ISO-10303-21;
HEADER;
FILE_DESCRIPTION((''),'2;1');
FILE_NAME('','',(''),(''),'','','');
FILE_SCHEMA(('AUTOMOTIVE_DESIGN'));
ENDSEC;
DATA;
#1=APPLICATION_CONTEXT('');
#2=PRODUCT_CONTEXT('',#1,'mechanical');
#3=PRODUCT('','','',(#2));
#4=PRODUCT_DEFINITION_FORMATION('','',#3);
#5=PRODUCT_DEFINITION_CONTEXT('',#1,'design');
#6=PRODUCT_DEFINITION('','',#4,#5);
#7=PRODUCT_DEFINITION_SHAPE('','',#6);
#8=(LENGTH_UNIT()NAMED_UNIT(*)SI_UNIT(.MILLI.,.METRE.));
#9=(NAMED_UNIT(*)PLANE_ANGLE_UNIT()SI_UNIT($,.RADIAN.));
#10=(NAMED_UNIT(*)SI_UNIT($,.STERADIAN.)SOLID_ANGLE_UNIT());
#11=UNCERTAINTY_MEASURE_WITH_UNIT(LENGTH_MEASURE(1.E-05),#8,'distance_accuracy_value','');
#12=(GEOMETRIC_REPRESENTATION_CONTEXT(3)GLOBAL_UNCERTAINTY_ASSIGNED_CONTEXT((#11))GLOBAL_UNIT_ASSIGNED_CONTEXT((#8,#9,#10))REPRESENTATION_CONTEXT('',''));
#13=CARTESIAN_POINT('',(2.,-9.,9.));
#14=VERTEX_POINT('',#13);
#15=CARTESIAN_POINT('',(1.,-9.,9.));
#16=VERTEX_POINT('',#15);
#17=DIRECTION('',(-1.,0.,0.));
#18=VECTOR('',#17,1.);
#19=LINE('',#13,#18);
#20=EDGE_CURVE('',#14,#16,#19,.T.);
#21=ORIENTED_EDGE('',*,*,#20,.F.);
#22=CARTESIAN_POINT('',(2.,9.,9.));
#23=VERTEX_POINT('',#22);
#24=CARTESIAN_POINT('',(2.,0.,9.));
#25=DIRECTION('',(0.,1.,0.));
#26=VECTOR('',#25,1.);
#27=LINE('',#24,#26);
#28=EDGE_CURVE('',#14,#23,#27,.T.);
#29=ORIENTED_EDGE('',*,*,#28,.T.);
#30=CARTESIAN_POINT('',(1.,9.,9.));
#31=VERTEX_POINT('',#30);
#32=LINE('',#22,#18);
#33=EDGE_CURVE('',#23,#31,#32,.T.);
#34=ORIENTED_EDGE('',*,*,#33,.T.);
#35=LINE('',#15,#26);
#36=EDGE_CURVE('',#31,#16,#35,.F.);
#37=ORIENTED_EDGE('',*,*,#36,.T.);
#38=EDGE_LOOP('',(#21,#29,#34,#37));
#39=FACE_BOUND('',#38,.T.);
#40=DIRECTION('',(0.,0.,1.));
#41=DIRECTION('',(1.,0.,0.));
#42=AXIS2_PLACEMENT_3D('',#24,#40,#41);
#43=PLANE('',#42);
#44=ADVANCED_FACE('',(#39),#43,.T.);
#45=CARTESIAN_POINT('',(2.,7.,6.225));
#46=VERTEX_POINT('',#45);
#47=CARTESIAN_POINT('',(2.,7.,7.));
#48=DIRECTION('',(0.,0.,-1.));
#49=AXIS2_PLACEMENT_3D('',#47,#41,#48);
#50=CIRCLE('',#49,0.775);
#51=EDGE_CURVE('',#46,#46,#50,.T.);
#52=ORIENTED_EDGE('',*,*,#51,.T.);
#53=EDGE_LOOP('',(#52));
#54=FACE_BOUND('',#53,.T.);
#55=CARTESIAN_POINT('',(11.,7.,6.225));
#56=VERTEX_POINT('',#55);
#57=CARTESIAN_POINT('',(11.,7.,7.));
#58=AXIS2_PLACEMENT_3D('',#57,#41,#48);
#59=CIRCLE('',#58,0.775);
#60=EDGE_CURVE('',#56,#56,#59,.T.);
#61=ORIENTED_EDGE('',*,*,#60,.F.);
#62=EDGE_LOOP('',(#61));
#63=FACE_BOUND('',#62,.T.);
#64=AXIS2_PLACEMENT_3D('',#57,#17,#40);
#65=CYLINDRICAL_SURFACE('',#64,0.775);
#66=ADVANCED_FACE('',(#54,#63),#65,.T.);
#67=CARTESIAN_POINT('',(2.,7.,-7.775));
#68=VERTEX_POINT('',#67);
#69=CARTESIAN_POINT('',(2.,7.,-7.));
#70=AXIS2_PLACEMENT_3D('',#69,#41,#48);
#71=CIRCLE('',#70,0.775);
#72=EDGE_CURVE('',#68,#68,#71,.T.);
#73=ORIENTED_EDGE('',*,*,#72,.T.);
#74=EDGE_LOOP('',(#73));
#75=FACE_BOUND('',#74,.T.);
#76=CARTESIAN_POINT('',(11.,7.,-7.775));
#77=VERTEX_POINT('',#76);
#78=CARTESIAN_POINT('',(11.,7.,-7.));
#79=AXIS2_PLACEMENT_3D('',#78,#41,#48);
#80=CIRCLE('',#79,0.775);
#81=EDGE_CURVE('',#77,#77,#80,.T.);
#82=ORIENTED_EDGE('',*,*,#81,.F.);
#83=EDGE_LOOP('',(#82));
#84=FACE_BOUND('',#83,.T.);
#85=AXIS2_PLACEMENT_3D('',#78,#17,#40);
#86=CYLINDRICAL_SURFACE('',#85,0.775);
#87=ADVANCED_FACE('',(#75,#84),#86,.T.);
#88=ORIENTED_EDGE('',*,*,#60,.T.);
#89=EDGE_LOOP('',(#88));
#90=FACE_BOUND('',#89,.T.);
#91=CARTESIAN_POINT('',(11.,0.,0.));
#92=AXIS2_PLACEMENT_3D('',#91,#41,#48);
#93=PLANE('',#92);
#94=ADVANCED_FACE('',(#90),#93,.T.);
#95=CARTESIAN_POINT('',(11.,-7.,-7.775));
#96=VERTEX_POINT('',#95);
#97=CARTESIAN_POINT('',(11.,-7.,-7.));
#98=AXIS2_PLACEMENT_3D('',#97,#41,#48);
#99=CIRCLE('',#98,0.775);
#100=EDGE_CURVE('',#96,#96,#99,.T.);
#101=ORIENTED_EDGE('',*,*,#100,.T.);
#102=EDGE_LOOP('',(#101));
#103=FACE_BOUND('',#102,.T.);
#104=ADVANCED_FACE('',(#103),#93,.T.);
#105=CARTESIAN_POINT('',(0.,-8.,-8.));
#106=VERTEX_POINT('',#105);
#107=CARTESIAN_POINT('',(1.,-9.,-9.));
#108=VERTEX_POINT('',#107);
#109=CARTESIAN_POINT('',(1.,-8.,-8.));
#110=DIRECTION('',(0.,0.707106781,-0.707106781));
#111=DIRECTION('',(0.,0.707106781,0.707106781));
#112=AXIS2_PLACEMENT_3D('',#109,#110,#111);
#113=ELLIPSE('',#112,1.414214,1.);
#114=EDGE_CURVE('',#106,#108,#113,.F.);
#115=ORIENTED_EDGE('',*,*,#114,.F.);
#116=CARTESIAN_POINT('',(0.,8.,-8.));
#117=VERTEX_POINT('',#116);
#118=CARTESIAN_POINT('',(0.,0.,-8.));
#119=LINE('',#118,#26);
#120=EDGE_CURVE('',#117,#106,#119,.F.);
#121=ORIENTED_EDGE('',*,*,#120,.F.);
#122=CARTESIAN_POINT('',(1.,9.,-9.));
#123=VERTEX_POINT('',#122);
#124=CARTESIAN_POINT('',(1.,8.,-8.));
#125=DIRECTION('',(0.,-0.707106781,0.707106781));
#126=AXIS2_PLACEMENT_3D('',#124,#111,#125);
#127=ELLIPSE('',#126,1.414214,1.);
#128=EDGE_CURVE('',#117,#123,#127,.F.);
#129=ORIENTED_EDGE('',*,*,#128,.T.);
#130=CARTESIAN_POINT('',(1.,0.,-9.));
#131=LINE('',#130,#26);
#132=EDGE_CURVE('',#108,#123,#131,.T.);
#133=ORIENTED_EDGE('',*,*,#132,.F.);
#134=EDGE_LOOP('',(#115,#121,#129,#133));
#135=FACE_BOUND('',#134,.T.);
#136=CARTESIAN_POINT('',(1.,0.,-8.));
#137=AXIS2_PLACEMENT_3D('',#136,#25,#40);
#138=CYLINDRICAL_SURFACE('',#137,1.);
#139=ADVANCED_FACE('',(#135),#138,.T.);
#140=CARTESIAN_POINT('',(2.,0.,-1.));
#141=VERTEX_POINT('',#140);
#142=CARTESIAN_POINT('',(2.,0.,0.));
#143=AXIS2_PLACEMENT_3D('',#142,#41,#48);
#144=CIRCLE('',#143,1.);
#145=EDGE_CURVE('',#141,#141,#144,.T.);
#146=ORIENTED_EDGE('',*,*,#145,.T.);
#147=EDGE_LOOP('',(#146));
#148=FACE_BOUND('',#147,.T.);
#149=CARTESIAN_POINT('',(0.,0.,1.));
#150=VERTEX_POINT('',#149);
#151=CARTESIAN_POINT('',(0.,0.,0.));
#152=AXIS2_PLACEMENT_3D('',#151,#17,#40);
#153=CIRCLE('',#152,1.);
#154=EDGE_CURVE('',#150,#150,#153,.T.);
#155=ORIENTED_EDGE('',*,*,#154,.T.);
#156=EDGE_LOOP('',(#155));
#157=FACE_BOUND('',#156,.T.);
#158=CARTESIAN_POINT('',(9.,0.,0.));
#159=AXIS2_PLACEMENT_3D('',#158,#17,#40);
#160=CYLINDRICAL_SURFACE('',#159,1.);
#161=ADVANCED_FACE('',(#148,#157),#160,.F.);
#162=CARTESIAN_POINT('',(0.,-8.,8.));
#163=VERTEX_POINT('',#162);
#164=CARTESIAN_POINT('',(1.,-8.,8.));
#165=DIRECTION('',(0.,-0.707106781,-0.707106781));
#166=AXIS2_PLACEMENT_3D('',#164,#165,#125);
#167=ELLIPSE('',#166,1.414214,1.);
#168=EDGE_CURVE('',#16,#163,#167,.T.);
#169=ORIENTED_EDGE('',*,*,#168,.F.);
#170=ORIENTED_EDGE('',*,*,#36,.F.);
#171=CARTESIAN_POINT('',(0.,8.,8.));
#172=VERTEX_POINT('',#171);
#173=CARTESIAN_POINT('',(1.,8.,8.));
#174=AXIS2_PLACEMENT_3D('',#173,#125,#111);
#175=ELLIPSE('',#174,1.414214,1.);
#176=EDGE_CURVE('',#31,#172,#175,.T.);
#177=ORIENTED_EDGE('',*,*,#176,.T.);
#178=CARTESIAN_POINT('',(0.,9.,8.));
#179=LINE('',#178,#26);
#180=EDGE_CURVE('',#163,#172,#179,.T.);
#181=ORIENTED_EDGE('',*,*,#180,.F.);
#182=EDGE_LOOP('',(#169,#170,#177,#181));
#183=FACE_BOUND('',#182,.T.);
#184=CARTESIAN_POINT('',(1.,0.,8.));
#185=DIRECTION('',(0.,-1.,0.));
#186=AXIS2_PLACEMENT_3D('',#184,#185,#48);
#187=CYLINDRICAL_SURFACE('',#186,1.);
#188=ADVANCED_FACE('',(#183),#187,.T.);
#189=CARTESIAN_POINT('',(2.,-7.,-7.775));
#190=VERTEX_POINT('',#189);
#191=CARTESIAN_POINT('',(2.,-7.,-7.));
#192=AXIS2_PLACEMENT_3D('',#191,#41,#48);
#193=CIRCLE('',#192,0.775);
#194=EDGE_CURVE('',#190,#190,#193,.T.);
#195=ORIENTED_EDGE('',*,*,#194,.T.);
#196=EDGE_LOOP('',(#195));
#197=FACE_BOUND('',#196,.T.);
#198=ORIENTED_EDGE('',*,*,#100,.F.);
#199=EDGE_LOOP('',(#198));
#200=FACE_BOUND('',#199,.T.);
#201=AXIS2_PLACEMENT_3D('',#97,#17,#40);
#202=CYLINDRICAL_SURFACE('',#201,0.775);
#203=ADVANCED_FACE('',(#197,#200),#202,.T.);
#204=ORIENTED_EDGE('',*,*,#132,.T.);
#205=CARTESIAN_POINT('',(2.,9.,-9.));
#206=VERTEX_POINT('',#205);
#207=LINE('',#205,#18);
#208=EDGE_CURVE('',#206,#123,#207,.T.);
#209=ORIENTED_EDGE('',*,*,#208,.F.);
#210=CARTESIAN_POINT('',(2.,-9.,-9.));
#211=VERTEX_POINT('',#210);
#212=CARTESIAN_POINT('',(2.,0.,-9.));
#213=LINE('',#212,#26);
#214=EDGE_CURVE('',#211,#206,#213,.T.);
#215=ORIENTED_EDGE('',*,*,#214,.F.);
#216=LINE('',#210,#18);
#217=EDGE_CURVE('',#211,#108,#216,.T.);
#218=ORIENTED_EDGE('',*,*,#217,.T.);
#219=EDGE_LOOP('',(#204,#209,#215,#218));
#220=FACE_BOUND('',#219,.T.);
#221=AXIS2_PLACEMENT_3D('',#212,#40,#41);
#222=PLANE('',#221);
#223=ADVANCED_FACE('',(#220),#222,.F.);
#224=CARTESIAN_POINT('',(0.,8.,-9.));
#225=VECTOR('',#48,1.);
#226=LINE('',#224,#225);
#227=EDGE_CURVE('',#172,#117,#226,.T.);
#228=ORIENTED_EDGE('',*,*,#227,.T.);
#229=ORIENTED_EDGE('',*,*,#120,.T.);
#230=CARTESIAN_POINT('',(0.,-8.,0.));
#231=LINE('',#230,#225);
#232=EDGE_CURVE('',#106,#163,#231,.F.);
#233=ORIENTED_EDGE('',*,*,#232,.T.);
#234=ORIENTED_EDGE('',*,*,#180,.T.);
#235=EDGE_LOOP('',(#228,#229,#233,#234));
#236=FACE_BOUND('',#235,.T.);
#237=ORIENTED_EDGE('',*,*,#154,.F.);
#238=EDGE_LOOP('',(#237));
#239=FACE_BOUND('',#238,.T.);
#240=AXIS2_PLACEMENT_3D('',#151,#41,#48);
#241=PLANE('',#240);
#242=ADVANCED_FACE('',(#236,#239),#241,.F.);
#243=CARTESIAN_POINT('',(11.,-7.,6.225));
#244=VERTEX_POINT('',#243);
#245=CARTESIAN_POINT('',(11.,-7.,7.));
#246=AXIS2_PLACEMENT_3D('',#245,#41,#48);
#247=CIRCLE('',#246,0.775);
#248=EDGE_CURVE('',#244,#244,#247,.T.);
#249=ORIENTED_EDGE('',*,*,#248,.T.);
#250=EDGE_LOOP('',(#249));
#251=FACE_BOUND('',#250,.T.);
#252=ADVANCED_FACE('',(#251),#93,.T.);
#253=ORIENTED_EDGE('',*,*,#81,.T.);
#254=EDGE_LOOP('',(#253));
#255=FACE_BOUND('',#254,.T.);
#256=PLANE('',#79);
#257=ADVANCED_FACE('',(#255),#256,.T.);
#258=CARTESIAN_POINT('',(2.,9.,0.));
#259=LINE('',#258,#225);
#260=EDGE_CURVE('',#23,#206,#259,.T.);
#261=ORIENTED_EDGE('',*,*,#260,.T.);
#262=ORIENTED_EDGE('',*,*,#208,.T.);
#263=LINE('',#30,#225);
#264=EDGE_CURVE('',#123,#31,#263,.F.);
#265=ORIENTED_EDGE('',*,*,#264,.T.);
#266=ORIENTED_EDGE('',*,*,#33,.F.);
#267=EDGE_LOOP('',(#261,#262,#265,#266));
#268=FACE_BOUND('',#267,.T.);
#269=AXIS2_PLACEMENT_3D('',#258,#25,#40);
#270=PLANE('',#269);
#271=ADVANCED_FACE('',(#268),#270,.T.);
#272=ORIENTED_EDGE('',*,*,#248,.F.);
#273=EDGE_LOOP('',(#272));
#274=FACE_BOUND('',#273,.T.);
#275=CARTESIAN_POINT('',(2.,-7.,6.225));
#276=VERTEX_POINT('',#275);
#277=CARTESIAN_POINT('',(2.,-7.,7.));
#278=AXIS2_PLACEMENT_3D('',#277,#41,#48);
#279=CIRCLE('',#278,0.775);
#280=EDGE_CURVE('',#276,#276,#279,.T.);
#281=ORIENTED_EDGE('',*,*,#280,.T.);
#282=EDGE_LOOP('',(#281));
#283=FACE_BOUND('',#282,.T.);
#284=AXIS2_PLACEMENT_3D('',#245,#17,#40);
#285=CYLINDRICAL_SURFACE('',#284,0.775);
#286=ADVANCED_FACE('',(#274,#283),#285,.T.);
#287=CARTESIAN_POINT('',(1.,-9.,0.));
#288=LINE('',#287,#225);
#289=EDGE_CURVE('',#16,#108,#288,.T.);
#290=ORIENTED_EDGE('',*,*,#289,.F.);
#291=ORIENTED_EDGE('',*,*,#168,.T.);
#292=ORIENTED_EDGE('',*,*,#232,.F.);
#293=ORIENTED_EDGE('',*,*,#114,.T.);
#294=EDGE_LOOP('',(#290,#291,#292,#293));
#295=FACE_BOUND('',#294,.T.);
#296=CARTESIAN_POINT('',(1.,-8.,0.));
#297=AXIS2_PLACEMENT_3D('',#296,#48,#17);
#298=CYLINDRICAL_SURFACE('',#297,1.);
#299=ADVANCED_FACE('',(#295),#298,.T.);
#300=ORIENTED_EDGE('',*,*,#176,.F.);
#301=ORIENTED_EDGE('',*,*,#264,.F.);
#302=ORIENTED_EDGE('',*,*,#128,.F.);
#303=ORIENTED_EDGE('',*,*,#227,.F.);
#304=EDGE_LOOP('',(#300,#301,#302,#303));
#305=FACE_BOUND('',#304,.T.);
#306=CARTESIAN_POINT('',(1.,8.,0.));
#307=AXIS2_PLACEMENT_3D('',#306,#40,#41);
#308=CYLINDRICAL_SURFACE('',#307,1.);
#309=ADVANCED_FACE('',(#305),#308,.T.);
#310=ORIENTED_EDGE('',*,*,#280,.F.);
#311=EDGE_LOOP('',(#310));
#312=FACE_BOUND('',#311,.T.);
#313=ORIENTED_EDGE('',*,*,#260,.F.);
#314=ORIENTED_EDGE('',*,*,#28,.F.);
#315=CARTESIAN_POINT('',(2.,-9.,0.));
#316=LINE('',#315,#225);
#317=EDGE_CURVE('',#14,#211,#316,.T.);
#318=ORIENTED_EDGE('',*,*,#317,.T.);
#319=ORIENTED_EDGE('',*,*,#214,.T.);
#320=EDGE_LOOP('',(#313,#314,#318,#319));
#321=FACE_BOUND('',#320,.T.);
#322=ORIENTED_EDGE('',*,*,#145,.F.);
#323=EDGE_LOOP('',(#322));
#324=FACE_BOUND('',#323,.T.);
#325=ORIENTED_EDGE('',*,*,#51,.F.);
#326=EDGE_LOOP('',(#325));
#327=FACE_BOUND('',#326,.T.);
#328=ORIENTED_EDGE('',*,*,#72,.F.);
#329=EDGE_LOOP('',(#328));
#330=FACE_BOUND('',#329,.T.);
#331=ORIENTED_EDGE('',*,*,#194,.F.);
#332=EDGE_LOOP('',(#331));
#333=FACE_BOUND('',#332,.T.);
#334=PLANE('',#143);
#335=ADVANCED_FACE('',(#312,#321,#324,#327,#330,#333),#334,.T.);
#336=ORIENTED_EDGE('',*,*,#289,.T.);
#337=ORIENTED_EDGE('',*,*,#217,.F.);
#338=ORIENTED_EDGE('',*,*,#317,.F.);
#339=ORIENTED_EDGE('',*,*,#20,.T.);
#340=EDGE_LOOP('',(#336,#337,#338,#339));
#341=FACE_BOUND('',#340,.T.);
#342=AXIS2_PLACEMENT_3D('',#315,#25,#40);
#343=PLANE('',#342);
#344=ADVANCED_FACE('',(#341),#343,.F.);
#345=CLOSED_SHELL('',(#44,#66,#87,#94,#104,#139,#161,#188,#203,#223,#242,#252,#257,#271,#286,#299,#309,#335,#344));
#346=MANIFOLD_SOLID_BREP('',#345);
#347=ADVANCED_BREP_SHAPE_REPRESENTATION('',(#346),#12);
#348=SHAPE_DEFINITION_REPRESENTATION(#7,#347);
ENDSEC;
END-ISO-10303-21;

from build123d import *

# Parameters (mm, degrees)
SKETCH1_W           = 18
SKETCH1_H           = 18
SKETCH1_R           = 0.75
BOSS_EXTRUDE1_DEPTH = 2
SKETCH2_R           = 0.775
BOSS_EXTRUDE2_DEPTH = 9
SKETCH3_R           = 1
CUT_EXTRUDE1_DEPTH  = 9
FILLET2_R           = 1


with BuildPart() as part:
    # Sketch1 → Boss-Extrude1 (new body)
    # profile 1 of 5: a face of its own
    with BuildSketch(Plane(origin=(0, 0, 0), x_dir=(0, 0, -1), z_dir=(1, 0, 0))):
        Rectangle(SKETCH1_W, SKETCH1_H)
        with Locations((-7, -7)):
            Circle(SKETCH1_R, mode=Mode.SUBTRACT)
        with Locations((7, -7)):
            Circle(SKETCH1_R, mode=Mode.SUBTRACT)
        with Locations((7, 7)):
            Circle(SKETCH1_R, mode=Mode.SUBTRACT)
        with Locations((-7, 7)):
            Circle(SKETCH1_R, mode=Mode.SUBTRACT)
    # profile 2 of 5: a face of its own
    with BuildSketch(Plane(origin=(0, 0, 0), x_dir=(0, 0, -1), z_dir=(1, 0, 0))):
        with Locations((7, 7)):
            Circle(SKETCH1_R)
    # profile 3 of 5: a face of its own
    with BuildSketch(Plane(origin=(0, 0, 0), x_dir=(0, 0, -1), z_dir=(1, 0, 0))):
        with Locations((-7, 7)):
            Circle(SKETCH1_R)
    # profile 4 of 5: a face of its own
    with BuildSketch(Plane(origin=(0, 0, 0), x_dir=(0, 0, -1), z_dir=(1, 0, 0))):
        with Locations((-7, -7)):
            Circle(SKETCH1_R)
    # profile 5 of 5: a face of its own
    with BuildSketch(Plane(origin=(0, 0, 0), x_dir=(0, 0, -1), z_dir=(1, 0, 0))):
        with Locations((7, -7)):
            Circle(SKETCH1_R)
    extrude(amount=BOSS_EXTRUDE1_DEPTH)

    # Sketch2 → Boss-Extrude2 (add)
    with BuildSketch(Plane(origin=(2, 0, 0), x_dir=(0, 0, -1), z_dir=(1, 0, 0))):
        with Locations((-7, 7)):
            Circle(SKETCH2_R)
        with Locations((-7, -7)):
            Circle(SKETCH2_R)
        with Locations((7, -7)):
            Circle(SKETCH2_R)
        with Locations((7, 7)):
            Circle(SKETCH2_R)
    extrude(amount=BOSS_EXTRUDE2_DEPTH)

    # Sketch3 → Cut-Extrude1 (cut)
    with BuildSketch(Plane.ZY):
        Circle(SKETCH3_R)
    extrude(amount=-CUT_EXTRUDE1_DEPTH, mode=Mode.SUBTRACT)

    # Fillet2
    fillet2_edges = [part.edges().sort_by_distance(p)[0] for p in [
        (0, 0, 9),
        (0, 9, 0),
        (0, 0, -9),
        (0, -9, 0),
    ]]
    fillet(fillet2_edges, radius=FILLET2_R)


solid = part.part
